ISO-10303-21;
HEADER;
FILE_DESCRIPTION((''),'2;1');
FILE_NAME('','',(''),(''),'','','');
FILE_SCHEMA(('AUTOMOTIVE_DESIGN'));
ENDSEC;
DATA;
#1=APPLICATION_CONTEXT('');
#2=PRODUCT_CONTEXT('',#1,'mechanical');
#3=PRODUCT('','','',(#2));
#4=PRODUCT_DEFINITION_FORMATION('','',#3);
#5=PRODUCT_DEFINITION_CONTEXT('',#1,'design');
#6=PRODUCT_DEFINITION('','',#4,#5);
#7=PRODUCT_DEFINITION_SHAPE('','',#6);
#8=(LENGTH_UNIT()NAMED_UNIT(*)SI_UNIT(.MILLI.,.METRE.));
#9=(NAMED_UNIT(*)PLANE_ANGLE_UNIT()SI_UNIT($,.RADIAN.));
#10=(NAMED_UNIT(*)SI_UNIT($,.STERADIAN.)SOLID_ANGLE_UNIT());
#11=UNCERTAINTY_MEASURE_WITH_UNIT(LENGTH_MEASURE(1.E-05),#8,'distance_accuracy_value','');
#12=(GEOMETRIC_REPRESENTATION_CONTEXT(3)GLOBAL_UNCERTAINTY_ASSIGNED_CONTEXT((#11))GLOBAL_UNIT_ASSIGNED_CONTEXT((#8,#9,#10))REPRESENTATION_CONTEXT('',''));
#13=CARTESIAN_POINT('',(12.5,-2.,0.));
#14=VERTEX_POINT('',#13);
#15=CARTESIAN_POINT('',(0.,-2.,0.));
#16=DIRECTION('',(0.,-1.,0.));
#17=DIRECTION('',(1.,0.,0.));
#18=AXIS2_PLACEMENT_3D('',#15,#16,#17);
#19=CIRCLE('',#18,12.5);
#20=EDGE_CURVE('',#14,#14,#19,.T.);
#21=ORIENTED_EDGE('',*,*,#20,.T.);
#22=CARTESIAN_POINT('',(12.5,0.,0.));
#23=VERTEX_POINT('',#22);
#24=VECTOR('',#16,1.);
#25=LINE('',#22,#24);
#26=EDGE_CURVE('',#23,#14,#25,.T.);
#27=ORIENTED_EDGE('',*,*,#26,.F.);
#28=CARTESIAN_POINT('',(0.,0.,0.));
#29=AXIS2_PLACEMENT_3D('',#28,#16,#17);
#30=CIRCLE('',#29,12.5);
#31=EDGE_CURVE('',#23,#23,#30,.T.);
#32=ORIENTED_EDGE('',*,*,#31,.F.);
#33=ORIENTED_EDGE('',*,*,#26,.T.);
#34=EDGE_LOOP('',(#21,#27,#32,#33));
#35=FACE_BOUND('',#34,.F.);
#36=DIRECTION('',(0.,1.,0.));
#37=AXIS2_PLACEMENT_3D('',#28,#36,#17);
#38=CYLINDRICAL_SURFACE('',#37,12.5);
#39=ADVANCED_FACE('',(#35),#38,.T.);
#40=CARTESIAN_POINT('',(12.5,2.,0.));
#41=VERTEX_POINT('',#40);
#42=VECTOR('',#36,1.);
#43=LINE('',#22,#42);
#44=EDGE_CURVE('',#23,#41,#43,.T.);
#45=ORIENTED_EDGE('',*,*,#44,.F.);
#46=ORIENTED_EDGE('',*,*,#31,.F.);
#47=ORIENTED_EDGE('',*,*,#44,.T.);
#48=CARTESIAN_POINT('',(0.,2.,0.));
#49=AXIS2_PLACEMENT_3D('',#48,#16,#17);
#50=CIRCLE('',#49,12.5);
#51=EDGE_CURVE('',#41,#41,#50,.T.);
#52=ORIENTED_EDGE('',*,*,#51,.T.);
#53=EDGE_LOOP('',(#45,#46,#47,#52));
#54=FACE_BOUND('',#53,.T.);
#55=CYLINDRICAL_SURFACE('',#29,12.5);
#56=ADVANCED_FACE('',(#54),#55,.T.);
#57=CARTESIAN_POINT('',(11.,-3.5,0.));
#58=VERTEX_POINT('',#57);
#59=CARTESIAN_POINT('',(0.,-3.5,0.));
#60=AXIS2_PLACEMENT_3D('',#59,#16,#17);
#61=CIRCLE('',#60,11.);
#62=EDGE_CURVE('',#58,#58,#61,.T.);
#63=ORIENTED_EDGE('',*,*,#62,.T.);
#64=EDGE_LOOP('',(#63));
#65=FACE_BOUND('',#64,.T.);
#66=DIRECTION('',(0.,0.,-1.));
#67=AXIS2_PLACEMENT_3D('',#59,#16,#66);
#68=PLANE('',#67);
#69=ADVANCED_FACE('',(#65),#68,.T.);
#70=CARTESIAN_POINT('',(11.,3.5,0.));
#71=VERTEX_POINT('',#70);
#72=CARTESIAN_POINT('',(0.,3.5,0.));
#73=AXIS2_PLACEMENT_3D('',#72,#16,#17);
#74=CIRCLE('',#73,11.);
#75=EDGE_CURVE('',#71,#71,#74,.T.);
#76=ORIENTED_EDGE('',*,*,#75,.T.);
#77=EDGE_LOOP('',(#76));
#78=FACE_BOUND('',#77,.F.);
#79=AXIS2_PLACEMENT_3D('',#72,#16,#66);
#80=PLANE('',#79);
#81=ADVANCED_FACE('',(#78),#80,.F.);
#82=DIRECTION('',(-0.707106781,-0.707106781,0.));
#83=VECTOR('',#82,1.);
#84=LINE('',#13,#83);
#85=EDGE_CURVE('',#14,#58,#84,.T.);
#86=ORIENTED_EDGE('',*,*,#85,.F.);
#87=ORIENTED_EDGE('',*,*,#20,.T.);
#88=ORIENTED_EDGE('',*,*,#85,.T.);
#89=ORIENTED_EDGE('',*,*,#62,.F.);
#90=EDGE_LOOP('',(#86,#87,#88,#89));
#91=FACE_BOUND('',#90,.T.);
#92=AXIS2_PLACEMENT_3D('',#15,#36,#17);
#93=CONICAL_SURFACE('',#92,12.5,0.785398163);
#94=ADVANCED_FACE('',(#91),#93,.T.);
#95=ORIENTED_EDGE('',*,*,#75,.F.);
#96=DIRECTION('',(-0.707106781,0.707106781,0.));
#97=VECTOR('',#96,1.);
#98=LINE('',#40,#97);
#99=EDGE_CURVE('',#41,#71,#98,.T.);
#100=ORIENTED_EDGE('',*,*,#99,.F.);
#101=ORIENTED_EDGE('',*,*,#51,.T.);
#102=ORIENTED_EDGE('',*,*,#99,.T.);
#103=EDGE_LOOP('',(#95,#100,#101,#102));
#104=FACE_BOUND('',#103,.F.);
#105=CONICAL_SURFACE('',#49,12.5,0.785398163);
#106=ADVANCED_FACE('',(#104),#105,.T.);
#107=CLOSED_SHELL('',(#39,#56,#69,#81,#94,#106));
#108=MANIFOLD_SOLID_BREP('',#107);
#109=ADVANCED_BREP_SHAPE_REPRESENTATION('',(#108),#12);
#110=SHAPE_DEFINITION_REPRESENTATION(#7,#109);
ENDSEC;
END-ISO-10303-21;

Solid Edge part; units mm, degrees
sketch "Sketch1" plane through (0, 0, 0) normal (0, -1, 0) x (1, 0, 0)
  circle A0 centre (0, 0) radius 12.5
extrude "Protrusion1" add sketch "Sketch1" along normal mid plane 7
chamfer "Chamfer_3" distance 1.5 angle 45 2 edges at (-12.5, 3.5, 0) (-12.5, -3.5, 0)
